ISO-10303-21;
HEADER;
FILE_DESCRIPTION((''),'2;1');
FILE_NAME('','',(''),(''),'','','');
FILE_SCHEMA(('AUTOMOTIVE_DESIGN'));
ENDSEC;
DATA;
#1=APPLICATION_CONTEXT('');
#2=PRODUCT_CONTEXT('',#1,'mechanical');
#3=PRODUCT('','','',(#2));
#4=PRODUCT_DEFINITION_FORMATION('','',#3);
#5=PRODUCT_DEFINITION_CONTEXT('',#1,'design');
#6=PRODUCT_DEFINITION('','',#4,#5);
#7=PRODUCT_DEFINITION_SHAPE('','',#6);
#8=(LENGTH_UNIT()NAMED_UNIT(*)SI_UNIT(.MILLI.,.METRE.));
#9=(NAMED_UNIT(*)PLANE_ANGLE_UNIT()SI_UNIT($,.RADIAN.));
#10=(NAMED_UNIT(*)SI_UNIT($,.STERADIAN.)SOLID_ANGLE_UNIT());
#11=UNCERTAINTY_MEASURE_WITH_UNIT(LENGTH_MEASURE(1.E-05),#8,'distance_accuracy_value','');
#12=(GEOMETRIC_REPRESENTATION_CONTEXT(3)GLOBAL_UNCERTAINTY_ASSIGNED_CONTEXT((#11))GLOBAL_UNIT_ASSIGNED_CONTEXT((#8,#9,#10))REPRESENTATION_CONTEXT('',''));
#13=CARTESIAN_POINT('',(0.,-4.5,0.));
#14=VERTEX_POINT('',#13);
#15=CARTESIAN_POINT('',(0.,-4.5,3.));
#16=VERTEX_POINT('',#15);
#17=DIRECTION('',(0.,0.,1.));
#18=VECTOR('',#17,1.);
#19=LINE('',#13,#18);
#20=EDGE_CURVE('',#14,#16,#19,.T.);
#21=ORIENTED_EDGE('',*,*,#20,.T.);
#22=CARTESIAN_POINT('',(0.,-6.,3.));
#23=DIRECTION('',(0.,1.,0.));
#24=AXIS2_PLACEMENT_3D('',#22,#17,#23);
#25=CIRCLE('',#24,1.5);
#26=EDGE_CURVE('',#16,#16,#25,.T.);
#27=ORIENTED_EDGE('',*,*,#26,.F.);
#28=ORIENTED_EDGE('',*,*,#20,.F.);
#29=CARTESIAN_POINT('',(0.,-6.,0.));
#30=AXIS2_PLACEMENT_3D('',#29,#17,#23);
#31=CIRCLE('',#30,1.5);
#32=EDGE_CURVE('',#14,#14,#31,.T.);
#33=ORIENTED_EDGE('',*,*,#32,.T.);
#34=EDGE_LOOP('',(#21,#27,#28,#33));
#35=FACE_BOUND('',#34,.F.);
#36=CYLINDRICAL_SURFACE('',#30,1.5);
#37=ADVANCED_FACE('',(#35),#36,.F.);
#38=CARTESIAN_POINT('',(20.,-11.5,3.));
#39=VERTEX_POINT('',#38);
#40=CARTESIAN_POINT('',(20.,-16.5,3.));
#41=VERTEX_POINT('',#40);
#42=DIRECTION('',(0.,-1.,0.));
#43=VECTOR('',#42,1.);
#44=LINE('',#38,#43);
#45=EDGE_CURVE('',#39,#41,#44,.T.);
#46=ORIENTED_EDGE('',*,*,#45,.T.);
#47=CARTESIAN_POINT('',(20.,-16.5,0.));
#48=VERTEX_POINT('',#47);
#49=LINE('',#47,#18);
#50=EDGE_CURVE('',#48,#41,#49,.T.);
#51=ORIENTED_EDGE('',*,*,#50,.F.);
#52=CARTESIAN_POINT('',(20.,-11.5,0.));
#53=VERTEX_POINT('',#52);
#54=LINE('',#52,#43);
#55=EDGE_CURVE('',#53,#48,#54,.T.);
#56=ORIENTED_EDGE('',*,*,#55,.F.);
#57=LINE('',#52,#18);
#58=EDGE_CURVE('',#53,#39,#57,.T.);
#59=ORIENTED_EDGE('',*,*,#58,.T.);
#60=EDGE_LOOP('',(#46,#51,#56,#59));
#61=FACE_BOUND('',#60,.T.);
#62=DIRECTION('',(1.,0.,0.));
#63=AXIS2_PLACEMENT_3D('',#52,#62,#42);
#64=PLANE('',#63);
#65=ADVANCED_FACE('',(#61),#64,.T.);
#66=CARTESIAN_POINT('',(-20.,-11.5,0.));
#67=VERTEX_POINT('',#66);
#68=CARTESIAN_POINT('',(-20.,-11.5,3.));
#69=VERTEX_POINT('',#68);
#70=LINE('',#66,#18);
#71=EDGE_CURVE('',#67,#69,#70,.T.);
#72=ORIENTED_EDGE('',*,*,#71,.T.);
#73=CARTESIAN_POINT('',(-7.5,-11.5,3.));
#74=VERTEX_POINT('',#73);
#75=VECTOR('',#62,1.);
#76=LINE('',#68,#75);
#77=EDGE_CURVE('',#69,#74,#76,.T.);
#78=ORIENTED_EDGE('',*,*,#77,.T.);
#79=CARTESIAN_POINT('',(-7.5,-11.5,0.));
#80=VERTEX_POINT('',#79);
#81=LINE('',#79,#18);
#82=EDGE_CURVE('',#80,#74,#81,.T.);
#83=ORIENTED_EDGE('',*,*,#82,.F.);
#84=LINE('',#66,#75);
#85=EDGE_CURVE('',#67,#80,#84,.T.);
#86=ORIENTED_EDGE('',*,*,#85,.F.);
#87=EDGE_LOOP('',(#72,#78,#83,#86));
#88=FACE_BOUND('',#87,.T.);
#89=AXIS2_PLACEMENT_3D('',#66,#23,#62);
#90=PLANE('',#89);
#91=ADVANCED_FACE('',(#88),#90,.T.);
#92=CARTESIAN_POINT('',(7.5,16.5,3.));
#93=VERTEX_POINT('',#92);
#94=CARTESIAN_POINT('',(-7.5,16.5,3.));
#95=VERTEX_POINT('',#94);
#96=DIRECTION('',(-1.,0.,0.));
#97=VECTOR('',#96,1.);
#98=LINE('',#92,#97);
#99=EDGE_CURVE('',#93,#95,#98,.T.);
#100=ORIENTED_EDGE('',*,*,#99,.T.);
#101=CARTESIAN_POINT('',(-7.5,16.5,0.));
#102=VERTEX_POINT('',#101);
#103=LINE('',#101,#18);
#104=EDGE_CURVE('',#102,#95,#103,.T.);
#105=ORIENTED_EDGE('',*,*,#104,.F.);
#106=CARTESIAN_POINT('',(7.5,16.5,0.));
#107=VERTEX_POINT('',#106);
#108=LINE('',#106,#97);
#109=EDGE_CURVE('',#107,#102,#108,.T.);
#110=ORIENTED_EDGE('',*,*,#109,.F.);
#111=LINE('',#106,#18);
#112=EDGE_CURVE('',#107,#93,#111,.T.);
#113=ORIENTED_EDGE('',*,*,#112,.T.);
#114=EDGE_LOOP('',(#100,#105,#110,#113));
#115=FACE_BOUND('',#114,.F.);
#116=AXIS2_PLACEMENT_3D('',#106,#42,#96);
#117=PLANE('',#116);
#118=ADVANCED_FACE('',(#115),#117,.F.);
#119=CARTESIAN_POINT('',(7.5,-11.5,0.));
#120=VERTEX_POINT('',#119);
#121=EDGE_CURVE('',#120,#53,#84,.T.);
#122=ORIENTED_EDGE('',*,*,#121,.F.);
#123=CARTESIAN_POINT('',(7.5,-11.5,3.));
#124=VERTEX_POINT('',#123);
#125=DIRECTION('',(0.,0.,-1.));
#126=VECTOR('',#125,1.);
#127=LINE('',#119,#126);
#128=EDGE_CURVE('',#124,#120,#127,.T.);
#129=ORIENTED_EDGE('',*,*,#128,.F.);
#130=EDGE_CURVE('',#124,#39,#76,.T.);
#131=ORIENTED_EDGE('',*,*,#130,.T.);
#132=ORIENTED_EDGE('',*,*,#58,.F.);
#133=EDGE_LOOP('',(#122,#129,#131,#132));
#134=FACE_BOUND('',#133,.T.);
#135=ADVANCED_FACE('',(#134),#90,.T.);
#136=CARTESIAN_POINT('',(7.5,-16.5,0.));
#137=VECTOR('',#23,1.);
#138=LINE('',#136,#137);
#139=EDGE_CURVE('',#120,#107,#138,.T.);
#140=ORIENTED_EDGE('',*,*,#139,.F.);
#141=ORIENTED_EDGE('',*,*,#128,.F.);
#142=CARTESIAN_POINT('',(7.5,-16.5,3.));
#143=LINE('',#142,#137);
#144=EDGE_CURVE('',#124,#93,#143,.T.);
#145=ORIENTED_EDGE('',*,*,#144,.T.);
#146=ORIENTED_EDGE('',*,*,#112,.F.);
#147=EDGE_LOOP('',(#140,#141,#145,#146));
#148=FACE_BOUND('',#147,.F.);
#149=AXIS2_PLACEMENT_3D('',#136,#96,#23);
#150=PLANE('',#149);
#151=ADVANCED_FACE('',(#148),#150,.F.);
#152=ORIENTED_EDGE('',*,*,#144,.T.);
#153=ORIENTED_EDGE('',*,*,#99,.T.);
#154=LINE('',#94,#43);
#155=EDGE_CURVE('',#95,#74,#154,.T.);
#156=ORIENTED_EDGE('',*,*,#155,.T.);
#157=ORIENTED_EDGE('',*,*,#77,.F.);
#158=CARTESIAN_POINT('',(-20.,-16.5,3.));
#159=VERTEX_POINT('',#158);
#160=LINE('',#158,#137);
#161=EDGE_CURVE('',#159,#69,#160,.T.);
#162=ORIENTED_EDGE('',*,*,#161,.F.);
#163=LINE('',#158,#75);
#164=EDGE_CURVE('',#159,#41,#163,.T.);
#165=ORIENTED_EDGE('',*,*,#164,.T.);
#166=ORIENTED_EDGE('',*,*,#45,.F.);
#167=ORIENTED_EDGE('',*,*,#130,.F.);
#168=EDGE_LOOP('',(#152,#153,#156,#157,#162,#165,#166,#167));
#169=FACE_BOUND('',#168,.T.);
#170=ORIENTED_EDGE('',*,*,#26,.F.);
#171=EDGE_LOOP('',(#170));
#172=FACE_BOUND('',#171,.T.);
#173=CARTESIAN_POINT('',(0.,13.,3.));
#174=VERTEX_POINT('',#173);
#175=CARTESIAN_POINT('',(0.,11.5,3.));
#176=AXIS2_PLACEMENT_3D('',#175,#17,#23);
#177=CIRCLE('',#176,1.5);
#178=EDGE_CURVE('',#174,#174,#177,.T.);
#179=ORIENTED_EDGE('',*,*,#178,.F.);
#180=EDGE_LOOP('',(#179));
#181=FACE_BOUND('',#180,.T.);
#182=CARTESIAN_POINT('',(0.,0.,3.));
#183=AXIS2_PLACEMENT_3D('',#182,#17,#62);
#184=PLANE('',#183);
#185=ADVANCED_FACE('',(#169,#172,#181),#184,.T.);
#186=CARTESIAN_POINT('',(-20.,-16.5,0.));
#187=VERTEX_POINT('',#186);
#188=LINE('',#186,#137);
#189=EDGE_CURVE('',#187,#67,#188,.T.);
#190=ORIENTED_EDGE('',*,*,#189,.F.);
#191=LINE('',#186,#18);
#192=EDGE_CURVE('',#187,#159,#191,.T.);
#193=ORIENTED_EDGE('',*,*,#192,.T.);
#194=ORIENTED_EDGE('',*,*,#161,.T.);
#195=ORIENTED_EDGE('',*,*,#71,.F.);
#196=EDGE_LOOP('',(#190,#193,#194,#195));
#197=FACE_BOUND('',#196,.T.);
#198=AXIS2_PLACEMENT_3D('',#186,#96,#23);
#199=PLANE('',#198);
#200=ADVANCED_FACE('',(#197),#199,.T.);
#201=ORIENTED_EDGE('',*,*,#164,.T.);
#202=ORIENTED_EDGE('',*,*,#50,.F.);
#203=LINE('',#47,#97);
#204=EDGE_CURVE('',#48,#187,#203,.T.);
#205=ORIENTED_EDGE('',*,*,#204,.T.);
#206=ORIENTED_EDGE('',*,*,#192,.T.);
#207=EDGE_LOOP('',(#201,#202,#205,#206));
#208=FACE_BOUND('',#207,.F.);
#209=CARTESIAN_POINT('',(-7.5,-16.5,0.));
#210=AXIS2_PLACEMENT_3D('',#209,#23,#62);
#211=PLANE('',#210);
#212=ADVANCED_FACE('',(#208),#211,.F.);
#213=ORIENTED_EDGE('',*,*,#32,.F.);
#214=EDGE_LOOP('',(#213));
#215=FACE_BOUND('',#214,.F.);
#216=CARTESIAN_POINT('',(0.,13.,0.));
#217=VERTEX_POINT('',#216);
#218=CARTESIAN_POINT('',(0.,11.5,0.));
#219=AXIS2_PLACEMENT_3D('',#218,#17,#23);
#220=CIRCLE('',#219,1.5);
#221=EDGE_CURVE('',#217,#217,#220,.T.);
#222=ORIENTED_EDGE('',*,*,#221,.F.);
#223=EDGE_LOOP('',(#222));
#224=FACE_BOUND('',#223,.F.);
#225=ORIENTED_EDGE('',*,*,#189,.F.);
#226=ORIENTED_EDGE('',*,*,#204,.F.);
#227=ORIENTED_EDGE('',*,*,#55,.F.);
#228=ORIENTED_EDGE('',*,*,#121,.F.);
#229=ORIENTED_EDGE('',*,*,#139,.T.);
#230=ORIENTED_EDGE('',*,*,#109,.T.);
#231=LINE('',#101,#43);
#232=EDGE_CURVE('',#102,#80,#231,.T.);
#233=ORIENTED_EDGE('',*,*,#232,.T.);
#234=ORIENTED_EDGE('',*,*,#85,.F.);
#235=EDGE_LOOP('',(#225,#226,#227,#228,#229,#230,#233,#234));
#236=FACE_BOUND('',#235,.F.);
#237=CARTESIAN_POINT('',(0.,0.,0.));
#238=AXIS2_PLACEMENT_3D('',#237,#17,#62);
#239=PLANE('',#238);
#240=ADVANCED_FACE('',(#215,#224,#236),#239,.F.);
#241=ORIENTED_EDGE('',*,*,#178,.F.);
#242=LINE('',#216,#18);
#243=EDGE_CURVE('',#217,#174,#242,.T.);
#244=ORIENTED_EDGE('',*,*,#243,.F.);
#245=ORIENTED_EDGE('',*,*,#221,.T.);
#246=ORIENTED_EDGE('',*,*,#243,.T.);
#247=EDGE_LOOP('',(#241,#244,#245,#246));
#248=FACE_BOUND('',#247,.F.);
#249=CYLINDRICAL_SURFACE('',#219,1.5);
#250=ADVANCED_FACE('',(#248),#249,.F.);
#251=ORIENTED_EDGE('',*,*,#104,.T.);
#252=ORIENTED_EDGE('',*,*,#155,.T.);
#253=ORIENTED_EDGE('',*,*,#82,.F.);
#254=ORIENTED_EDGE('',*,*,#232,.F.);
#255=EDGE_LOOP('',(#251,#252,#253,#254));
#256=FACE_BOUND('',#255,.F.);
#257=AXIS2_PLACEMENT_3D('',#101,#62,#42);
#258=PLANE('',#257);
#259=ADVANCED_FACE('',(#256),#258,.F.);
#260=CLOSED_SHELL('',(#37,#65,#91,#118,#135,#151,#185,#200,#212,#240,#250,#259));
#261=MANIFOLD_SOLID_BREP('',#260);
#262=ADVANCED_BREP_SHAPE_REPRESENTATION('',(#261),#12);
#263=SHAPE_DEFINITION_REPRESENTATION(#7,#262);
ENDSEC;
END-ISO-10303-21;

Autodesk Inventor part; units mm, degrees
ref_plane "YZ Plane" through (0, 0, 0) normal (1, 0, 0) x (0, 1, 0)
ref_plane "XZ Plane" through (0, 0, 0) normal (0, 1, 0) x (-1, 0, 0)
ref_plane "XY Plane" through (0, 0, 0) normal (0, 0, 1) x (1, 0, 0)
sketch "Boceto1" plane through (0, 0, 0) normal (0, 0, 1) x (1, 0, 0)
  line L0 (-7.5, -16.5) -> (7.5, -16.5)
  line L1 (7.5, -16.5) -> (7.5, 16.5)
  line L2 (7.5, 16.5) -> (-7.5, 16.5)
  line L3 (-7.5, 16.5) -> (-7.5, -16.5)
  line L4 (-7.5, -16.5) -> (7.5, 16.5) construction
  line L5 (7.5, -16.5) -> (-7.5, 16.5) construction
  point P0 (0, 0)
  dimension "d7" = 33
  dimension "d8" = 15
extrude "Extrusión1" add sketch "Boceto1" along normal blind 3
sketch "Boceto2" plane through (0, 0, 0) normal (0, 0, -1) x (-1, 0, 0)
  line L0 (-20, -16.5) -> (20, -16.5)
  line L1 (20, -16.5) -> (20, -11.5)
  line L2 (20, -11.5) -> (-20, -11.5)
  line L3 (-20, -11.5) -> (-20, -16.5)
  point P0 (0, 0)
  point P1 (7.5, -16.5)
  dimension "d2" = 20
  dimension "d3" = 20
  dimension "d4" = 5
extrude "Extrusión2" add sketch "Boceto2" against normal blind 3
sketch "Boceto3" plane through (0, 0, 0) normal (0, 0, -1) x (-1, 0, 0)
  line L0 (-20, -16.5) -> (20, -16.5) construction
  point P0 (0, 0)
  point P1 (0, -6)
  point P2 (0, 11.5)
  dimension "d9" = 10.5
  dimension "d10" = 17.5
hole "Agujero1" at (0, -6, 0) at (0, 11.5, 0) direction (0, 0, 1) diameter 3 end through all
properties part number "Soporte_Motorreductor"
